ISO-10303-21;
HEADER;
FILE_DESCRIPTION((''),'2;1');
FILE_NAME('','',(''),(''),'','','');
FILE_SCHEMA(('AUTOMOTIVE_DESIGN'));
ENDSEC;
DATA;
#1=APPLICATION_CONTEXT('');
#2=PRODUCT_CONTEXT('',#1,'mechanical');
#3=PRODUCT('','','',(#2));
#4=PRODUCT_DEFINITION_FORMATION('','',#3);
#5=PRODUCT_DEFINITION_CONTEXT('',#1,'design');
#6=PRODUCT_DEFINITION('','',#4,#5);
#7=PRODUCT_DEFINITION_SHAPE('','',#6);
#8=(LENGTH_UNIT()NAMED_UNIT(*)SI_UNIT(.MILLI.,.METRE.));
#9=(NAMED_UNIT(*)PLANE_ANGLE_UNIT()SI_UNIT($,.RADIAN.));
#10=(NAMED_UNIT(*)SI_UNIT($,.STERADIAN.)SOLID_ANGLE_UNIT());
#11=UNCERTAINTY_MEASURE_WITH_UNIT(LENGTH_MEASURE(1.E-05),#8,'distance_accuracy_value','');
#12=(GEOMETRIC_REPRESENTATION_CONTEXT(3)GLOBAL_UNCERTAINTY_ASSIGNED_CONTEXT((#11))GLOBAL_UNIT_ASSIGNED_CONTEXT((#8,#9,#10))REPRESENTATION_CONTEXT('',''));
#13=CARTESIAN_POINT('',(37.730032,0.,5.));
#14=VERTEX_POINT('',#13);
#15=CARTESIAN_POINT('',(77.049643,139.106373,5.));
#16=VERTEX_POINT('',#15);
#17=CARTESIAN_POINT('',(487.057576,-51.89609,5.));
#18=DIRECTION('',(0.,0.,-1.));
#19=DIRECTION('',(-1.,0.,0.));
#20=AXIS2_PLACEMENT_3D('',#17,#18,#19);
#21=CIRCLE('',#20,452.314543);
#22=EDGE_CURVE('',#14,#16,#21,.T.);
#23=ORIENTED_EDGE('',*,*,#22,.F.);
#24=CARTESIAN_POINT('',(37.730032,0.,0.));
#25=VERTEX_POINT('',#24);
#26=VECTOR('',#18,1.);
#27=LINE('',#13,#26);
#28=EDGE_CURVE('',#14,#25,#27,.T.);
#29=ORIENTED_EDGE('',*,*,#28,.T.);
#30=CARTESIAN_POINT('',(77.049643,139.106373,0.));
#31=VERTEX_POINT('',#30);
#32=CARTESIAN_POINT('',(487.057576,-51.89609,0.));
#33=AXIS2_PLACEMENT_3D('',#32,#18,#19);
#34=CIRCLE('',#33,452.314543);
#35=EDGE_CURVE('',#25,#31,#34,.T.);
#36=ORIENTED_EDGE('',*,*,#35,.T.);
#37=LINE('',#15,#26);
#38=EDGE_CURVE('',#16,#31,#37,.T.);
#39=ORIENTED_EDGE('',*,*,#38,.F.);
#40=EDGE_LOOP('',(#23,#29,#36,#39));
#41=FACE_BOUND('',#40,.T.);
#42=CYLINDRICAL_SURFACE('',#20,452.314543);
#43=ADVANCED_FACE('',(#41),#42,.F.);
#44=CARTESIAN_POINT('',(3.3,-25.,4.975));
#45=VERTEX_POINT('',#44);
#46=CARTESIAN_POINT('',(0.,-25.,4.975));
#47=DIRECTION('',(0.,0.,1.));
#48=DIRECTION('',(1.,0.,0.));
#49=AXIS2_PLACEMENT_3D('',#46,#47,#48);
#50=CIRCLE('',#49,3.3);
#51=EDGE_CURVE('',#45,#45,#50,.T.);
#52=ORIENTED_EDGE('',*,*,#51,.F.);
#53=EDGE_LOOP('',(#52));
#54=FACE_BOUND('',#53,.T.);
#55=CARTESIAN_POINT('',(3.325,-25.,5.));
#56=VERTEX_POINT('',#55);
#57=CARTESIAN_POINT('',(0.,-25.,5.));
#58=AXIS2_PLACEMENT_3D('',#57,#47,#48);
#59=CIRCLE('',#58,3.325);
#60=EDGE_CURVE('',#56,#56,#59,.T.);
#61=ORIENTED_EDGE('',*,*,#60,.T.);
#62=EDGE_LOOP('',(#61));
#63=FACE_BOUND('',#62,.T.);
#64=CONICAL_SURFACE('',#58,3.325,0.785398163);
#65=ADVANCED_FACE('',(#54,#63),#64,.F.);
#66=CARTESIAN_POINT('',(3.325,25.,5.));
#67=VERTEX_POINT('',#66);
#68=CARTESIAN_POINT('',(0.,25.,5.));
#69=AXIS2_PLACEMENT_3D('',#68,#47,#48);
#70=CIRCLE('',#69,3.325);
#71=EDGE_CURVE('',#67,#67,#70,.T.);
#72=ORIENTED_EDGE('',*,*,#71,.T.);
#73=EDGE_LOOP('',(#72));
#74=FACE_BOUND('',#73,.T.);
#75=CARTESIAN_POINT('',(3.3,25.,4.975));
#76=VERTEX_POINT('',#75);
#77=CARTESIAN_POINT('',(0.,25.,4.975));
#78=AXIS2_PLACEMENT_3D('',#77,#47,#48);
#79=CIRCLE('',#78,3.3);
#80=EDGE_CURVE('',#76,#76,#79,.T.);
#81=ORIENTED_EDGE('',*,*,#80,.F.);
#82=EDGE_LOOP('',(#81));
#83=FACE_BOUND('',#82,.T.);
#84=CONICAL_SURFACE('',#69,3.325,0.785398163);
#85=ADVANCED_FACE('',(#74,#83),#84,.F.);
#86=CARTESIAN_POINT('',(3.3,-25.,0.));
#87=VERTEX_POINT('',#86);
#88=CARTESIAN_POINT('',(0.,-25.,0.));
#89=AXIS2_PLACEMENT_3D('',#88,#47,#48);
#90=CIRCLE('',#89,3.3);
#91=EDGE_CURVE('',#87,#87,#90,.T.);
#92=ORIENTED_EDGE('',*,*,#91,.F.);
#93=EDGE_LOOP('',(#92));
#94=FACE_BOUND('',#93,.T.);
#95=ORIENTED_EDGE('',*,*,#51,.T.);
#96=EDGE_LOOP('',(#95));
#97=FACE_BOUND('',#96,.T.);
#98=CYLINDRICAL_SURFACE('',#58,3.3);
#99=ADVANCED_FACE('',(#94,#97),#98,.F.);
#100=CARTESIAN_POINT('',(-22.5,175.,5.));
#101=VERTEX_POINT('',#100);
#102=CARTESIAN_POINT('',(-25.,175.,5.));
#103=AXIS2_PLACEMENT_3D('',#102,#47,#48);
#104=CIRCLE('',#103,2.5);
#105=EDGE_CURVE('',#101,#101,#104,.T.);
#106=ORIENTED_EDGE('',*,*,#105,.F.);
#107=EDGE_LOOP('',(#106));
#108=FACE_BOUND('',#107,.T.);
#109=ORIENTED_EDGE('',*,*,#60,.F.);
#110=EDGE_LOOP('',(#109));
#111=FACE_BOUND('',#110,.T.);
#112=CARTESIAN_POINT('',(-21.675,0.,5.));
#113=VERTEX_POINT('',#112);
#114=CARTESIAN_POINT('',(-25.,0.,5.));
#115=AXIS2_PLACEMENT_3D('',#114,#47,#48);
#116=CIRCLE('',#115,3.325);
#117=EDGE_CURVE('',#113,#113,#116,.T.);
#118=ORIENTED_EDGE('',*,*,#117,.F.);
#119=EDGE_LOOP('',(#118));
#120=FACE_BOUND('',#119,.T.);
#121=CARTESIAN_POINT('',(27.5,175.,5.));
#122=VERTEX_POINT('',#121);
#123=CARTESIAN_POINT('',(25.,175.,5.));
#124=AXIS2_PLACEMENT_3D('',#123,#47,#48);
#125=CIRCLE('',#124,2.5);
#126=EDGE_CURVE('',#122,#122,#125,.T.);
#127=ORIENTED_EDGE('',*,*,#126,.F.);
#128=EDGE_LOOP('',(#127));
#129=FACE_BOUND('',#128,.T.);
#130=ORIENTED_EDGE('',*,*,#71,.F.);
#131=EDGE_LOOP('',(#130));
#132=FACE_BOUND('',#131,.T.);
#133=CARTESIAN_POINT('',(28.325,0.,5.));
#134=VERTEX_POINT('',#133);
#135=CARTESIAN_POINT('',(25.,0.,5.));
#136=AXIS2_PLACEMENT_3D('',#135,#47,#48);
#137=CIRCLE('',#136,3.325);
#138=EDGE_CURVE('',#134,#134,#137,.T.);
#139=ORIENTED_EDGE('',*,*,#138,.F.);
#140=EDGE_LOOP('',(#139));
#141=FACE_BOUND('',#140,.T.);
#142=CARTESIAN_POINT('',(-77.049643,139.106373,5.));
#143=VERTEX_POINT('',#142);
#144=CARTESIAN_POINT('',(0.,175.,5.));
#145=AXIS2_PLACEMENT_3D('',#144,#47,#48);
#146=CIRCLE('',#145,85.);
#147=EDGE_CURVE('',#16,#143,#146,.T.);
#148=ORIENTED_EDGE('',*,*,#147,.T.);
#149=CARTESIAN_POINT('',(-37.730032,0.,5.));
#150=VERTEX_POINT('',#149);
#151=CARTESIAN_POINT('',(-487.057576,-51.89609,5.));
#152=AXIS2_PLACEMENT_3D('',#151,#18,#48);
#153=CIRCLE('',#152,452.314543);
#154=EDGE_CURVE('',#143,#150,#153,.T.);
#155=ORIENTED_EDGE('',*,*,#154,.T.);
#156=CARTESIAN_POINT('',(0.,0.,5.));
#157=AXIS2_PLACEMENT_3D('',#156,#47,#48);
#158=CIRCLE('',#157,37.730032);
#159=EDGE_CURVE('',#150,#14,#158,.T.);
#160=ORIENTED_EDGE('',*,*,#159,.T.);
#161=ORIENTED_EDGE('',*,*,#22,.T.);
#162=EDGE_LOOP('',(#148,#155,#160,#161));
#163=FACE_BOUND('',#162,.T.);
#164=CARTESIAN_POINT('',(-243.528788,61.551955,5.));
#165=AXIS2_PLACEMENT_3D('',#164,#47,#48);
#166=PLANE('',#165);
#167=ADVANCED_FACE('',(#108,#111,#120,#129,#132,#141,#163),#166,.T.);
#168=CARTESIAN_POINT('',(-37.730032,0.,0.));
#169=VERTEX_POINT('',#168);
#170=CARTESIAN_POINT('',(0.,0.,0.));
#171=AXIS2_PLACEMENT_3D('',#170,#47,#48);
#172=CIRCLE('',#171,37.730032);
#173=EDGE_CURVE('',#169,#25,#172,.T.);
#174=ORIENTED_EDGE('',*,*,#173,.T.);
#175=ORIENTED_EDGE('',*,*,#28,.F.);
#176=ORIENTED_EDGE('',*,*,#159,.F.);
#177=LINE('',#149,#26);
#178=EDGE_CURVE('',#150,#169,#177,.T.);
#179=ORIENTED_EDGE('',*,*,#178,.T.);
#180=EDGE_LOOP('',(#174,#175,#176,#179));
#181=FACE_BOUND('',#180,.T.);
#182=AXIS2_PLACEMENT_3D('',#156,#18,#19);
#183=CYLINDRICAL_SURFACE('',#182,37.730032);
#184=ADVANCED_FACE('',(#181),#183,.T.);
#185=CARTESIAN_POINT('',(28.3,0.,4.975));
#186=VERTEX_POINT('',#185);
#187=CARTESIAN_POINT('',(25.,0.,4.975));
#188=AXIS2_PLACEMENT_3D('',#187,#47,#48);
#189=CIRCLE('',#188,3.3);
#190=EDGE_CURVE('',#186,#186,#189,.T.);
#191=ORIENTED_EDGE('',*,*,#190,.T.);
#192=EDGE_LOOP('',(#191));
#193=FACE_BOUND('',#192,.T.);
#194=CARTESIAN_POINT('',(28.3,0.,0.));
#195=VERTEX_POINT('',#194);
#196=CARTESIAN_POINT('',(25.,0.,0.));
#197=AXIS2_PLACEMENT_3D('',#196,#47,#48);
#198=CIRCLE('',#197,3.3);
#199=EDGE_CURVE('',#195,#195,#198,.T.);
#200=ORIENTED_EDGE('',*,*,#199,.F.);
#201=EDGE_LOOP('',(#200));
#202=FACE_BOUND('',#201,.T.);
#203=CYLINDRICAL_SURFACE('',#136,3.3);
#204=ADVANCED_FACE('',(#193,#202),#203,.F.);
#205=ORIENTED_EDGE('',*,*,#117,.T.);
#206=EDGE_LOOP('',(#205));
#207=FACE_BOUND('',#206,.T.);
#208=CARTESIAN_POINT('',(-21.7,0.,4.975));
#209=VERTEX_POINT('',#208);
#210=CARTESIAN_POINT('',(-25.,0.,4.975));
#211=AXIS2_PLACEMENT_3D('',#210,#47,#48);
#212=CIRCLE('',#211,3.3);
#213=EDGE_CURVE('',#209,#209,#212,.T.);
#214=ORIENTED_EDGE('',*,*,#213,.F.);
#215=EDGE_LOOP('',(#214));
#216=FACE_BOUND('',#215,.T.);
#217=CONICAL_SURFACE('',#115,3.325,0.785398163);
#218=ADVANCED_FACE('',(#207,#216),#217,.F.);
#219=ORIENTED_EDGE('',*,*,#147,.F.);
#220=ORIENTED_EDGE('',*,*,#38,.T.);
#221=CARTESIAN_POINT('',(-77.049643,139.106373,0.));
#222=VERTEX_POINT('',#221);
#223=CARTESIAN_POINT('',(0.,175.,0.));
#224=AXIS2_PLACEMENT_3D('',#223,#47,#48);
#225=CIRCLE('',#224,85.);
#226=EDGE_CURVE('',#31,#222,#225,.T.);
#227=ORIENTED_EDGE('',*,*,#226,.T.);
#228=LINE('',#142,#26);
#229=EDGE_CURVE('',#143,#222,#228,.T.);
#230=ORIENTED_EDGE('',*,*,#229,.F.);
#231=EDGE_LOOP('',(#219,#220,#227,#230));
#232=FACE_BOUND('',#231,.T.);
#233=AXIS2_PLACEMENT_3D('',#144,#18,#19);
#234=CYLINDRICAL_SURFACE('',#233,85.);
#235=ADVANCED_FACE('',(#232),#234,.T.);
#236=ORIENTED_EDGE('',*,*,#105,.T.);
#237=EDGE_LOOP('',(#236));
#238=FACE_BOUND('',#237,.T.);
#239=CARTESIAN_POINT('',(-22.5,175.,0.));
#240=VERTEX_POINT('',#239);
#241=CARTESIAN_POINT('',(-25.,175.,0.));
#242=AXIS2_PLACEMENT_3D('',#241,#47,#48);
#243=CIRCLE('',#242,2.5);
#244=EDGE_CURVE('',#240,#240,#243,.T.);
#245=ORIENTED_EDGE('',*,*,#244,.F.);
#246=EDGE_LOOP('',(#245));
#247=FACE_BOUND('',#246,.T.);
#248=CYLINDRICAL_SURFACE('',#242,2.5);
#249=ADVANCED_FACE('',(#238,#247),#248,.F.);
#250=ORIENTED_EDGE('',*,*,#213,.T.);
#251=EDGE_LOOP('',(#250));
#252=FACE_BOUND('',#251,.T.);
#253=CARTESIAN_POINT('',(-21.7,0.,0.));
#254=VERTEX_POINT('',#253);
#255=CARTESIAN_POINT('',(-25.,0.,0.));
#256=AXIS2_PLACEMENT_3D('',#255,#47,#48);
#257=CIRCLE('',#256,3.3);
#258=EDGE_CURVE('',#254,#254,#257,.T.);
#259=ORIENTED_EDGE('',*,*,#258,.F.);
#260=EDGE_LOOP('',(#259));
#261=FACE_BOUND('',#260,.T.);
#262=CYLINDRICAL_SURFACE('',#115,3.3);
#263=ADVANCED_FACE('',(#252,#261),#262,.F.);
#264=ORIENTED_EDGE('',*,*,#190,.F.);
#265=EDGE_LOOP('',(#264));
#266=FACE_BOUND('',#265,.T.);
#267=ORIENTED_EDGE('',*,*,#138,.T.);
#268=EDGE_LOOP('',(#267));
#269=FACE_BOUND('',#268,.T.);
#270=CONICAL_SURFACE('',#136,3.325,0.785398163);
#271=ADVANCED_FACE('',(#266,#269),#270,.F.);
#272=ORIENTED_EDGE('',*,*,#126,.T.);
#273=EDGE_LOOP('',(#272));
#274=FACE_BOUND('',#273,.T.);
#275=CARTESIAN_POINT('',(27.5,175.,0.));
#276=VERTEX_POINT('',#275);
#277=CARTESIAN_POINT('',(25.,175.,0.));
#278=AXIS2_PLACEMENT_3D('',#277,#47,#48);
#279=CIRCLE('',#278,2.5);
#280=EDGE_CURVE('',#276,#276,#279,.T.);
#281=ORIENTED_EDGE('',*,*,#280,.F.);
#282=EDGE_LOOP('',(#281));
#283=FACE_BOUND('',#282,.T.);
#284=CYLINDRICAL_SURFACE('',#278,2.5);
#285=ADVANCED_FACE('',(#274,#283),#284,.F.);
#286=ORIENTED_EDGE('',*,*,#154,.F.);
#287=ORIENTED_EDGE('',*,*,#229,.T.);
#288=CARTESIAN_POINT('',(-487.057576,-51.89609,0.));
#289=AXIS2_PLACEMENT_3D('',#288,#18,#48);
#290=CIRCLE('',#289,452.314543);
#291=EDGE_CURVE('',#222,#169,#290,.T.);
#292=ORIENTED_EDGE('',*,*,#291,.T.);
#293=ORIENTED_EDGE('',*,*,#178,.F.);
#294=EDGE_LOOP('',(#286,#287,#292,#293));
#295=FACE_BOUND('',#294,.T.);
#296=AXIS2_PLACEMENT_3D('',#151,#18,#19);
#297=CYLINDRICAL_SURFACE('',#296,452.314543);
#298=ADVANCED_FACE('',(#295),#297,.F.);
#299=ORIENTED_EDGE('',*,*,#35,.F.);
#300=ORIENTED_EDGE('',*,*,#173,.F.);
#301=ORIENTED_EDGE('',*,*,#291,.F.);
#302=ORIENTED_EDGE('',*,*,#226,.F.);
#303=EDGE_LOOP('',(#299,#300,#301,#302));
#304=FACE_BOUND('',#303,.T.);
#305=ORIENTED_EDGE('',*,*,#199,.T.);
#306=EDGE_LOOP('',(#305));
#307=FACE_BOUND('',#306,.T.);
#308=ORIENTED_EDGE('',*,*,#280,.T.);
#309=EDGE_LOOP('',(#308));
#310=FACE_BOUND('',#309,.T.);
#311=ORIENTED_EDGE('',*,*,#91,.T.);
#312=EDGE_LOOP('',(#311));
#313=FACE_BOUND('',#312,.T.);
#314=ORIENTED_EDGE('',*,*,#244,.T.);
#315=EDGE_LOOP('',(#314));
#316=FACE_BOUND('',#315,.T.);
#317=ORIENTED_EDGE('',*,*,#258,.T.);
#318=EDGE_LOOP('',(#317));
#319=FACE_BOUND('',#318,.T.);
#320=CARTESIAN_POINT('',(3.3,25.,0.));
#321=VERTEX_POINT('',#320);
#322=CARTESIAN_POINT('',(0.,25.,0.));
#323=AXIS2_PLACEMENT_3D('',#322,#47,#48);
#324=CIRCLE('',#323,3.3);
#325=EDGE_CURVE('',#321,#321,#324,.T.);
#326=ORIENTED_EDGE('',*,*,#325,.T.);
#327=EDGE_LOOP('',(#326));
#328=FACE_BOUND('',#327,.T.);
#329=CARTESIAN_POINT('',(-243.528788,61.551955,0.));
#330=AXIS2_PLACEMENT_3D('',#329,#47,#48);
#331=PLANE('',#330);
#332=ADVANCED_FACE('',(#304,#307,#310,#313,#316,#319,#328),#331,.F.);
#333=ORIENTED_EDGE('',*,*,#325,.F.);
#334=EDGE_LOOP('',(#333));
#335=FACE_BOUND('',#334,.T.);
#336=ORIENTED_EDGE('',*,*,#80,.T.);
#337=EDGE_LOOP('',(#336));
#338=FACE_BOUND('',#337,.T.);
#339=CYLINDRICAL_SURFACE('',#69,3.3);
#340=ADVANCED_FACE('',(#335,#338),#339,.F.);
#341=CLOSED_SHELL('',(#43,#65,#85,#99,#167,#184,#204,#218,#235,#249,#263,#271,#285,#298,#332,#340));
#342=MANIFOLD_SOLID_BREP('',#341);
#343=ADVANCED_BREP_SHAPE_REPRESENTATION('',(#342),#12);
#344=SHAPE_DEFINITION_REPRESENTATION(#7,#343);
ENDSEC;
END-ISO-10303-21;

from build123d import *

# Parameters (mm, degrees)
BOSS_EXTRUDE4_DEPTH            = 5
M6_CLEARANCE_HOLE1_D           = 6.6
M6_CLEARANCE_HOLE1_CSINK_D     = 6.65
M6_CLEARANCE_HOLE1_CSINK_ANGLE = 90
SKETCH10_R                     = 2.5
CUT_EXTRUDE1_DEPTH             = 5


with BuildPart() as part:
    # Sketch6 → Boss-Extrude4 (new body)
    with BuildSketch(Plane.XY):
        with BuildLine():
            ThreePointArc((37.730032203, 0), (51.79672204, 71.134128832), (77.049643457, 139.106373223))
            ThreePointArc((77.049643457, 139.106373223), (0, 260), (-77.049643457, 139.106373223))
            ThreePointArc((-77.049643457, 139.106373223), (-51.79672204, 71.134128832), (-37.730032203, 0))
            ThreePointArc((-37.730032203, 0), (0, -37.730032203), (37.730032203, 0))
        make_face()
    extrude(amount=BOSS_EXTRUDE4_DEPTH)

    # M6 Clearance Hole1 (through all)
    with Locations(Plane.XY.offset(5)):
        with Locations((0, 25), (25, 0), (0, -25), (-25, 0)):
            CounterSinkHole(M6_CLEARANCE_HOLE1_D / 2, M6_CLEARANCE_HOLE1_CSINK_D / 2, counter_sink_angle=M6_CLEARANCE_HOLE1_CSINK_ANGLE)

    # Sketch10 → Cut-Extrude1 (cut)
    with BuildSketch(Plane.XY.offset(5)):
        with Locations((-25, 175)):
            Circle(SKETCH10_R)
        with Locations((25, 175)):
            Circle(SKETCH10_R)
    extrude(amount=-CUT_EXTRUDE1_DEPTH, mode=Mode.SUBTRACT)


solid = part.part
